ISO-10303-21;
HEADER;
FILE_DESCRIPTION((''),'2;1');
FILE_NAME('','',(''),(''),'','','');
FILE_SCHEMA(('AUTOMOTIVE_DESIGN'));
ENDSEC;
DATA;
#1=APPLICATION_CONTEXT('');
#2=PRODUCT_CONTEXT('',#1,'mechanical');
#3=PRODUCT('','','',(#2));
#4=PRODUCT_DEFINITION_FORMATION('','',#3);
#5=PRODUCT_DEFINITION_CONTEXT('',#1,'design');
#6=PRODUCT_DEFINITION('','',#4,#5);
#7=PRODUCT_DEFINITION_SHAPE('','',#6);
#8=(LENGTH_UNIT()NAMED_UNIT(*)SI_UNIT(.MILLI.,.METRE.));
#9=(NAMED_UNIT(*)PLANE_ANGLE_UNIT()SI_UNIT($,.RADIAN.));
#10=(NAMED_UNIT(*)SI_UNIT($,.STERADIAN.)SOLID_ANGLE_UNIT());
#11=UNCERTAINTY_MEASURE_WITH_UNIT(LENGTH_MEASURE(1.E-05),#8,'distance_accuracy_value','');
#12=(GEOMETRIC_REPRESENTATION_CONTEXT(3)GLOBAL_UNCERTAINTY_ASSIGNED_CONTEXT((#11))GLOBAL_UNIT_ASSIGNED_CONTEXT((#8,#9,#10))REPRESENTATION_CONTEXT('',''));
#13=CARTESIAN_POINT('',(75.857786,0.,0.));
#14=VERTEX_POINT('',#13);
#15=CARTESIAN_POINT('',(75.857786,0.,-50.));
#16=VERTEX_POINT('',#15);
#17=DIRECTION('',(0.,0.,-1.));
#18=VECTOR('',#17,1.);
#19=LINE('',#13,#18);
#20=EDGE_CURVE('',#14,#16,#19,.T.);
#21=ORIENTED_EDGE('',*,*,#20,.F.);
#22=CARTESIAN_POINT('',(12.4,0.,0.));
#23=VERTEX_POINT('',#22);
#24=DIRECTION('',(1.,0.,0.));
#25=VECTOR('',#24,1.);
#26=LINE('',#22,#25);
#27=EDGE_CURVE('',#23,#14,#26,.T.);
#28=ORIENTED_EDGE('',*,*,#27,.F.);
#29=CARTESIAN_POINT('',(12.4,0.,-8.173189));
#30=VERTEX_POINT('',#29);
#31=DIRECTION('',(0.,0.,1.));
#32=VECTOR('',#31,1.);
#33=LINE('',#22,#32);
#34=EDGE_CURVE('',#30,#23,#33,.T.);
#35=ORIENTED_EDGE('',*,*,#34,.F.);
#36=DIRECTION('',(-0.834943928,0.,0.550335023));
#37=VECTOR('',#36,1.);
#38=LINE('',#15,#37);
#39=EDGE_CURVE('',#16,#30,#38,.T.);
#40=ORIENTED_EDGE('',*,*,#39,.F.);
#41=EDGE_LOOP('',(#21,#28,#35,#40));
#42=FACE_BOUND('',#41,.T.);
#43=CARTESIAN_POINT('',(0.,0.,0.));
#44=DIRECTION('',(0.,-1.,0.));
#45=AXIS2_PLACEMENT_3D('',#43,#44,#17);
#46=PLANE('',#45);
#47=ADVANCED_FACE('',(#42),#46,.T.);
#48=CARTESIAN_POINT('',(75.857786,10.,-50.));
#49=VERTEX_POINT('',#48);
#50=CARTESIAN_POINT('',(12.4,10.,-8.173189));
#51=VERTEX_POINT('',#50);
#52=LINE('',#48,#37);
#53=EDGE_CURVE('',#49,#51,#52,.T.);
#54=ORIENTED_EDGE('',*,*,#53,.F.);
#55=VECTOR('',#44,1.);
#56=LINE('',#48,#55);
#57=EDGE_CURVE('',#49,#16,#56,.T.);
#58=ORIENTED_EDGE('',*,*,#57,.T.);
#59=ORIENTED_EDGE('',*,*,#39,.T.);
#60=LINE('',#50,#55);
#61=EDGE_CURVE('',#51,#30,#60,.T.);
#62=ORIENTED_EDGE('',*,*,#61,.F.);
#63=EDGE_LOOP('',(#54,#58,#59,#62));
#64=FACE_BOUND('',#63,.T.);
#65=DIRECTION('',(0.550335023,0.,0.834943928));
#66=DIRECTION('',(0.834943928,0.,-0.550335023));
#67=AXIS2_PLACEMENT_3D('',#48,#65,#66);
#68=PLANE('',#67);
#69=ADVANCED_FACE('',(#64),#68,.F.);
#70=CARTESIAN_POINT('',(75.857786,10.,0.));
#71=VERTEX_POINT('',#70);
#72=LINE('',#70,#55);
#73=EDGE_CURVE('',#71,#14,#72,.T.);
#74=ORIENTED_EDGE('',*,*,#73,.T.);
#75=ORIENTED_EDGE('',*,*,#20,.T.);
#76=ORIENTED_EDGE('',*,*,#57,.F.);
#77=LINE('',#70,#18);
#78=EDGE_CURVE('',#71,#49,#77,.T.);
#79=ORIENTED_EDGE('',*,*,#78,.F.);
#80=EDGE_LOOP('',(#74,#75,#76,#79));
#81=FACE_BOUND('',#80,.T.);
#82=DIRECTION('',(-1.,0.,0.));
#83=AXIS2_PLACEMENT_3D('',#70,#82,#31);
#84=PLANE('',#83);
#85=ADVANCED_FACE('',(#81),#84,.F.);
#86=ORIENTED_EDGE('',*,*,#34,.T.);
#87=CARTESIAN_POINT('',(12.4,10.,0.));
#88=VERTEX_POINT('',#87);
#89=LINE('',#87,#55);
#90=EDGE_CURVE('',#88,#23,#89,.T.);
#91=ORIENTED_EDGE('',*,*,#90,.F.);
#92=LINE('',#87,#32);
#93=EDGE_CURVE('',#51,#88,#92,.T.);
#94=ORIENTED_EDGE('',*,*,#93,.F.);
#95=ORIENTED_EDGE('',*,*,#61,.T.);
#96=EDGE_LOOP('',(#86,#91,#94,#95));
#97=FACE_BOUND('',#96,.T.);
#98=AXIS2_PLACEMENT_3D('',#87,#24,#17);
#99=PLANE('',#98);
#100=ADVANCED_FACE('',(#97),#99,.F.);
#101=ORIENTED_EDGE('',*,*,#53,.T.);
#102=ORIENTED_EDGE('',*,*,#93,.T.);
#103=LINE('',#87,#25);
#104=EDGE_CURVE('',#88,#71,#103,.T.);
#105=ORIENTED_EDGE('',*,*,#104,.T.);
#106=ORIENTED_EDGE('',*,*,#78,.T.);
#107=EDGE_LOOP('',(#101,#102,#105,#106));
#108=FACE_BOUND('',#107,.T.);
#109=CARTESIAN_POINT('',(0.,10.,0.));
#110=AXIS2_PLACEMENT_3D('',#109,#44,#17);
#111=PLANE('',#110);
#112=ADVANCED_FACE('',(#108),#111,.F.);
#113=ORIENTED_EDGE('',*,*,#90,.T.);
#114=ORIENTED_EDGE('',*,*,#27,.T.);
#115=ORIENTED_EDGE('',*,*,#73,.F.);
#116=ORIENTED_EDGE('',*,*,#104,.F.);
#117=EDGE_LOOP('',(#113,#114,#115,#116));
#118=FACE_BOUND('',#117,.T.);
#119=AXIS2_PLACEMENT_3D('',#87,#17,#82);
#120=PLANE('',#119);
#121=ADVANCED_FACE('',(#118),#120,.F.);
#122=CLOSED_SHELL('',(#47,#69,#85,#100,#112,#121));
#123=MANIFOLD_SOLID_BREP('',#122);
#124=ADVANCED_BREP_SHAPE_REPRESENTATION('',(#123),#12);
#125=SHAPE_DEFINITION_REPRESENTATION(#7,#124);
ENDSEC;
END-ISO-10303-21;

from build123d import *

# Parameters (mm, degrees)
BOSS_EXTRUDE1_DEPTH = 10


with BuildPart() as part:
    # Sketch1 → Boss-Extrude1 (new body)
    with BuildSketch(Plane(origin=(0, 0, 0), x_dir=(1, 0, 0), z_dir=(0, 1, 0))):
        Polygon((12.4, 0), (75.857785919, 0), (75.857785919, 50), (12.4, 8.173188717), align=None)
    extrude(amount=BOSS_EXTRUDE1_DEPTH)


solid = part.part
